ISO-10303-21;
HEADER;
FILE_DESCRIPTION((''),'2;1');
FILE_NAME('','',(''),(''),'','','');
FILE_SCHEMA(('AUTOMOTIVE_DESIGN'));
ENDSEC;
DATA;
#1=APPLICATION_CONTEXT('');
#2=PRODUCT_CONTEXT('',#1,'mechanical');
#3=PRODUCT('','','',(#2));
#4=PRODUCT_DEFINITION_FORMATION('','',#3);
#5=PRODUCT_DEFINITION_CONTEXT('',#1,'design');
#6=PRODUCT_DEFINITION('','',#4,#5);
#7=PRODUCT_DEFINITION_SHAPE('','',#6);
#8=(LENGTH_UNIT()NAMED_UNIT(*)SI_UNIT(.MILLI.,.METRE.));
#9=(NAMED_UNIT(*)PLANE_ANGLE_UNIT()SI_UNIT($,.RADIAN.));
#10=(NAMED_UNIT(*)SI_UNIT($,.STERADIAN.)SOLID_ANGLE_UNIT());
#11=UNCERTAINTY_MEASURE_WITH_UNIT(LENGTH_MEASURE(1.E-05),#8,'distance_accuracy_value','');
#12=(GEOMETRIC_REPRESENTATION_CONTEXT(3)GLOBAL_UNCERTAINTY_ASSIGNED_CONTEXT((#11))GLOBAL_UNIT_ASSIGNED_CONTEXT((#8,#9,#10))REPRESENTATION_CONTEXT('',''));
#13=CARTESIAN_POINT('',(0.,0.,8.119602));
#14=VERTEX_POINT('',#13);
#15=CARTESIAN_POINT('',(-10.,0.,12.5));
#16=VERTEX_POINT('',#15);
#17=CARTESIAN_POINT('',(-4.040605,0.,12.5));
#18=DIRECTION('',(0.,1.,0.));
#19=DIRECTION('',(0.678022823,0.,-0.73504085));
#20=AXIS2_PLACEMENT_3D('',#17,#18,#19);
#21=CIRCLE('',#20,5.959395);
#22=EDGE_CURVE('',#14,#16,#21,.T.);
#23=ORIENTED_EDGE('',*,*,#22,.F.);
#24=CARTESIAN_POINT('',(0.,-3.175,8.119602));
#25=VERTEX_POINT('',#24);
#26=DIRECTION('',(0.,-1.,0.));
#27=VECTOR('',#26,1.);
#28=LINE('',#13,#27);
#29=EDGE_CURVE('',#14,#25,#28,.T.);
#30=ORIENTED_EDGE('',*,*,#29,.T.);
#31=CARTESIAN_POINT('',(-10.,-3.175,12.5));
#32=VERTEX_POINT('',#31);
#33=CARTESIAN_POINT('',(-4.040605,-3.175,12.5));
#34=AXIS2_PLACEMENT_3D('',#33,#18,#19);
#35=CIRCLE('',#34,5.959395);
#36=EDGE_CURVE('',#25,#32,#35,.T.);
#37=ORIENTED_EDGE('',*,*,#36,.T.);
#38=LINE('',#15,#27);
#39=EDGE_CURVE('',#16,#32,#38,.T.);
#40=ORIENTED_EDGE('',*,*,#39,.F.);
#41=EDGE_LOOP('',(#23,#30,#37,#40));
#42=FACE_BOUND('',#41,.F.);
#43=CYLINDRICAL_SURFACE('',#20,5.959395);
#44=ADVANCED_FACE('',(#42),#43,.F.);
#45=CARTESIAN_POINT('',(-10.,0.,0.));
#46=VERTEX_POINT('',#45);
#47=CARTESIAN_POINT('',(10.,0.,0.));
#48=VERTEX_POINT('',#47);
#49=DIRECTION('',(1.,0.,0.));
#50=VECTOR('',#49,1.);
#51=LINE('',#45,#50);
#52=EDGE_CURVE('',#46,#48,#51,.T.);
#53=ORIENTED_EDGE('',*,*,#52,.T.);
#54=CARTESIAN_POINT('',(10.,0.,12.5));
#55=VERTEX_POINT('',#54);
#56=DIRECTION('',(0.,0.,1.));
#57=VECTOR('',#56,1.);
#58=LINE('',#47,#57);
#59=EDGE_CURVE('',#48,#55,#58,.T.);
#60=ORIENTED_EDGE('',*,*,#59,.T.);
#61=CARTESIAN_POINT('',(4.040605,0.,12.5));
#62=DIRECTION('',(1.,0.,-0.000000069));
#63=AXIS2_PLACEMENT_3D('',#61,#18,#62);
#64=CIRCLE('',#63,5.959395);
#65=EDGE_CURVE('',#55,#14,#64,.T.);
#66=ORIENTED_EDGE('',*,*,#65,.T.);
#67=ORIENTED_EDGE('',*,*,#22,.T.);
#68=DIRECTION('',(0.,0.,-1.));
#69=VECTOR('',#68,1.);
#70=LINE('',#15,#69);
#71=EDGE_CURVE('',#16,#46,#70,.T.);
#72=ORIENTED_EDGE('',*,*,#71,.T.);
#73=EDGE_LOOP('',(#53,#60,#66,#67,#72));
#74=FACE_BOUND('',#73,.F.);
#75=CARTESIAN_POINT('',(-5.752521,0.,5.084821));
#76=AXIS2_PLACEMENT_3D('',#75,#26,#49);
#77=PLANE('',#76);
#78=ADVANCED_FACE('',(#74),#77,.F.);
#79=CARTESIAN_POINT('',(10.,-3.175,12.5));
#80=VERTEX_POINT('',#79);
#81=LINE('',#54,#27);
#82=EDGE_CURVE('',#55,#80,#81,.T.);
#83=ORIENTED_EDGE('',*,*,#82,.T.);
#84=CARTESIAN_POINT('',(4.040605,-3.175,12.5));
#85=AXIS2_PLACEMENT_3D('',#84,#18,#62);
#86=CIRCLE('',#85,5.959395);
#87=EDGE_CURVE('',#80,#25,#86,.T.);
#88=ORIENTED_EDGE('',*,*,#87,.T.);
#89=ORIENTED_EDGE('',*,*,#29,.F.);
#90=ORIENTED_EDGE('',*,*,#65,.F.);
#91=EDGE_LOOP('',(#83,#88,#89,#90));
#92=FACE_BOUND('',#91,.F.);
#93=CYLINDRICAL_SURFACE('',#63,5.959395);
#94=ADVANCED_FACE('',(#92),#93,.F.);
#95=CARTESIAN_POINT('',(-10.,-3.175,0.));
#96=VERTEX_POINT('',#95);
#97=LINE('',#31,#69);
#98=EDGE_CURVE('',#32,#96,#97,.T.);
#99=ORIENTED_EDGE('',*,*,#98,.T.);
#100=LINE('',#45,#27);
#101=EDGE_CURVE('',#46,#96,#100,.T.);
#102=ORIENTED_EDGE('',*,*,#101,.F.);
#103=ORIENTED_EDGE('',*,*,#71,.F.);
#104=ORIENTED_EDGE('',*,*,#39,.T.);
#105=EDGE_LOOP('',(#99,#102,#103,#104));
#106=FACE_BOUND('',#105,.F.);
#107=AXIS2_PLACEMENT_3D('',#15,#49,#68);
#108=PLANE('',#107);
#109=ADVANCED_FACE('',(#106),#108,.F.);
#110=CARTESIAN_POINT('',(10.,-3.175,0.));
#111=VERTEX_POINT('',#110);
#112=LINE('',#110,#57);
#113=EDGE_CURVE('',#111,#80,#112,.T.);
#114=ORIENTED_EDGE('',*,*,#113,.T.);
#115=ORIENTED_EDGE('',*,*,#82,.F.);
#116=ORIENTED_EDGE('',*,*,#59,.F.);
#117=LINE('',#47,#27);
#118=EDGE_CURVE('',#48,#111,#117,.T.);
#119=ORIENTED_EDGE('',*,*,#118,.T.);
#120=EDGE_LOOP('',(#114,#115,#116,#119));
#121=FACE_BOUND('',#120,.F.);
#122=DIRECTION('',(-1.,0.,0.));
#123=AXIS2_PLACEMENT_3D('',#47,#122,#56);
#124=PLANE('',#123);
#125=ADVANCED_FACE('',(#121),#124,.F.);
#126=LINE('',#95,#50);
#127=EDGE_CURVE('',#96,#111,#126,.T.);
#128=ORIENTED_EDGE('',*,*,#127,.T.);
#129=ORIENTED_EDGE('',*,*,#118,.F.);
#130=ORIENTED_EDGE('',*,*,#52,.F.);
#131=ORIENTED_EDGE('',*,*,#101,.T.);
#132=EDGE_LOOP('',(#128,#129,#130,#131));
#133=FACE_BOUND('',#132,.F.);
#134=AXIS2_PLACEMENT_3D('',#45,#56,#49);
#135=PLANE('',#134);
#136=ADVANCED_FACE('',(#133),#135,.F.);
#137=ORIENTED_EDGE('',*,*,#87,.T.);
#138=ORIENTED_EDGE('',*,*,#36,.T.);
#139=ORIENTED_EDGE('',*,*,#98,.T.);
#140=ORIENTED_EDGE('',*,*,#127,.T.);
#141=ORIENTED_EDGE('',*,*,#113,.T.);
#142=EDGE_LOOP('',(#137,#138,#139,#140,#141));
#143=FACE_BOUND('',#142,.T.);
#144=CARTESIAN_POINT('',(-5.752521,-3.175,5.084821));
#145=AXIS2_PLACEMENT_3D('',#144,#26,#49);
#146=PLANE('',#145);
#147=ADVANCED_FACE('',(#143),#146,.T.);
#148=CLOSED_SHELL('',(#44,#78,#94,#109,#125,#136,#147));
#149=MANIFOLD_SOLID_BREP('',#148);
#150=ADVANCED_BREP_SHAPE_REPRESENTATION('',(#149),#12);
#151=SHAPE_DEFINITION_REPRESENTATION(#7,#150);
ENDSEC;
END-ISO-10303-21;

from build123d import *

# Parameters (mm, degrees)
F1_DEPTH = 3.175


with BuildPart() as f1:
    # F0 (on Front) → F1 (new body)
    with BuildSketch(Plane.XZ):
        with BuildLine():
            Line((-10, 0), (0, 0))
            Line((0, 0), (0, 8.119602))
            ThreePointArc((0, 8.119602), (-6.431716, 7.04134), (-10, 12.5))
            Line((-10, 12.5), (-10, 0))
        make_face()
        with BuildLine():
            Line((0, 8.119602), (0, 0))
            Line((0, 0), (10, 0))
            Line((10, 0), (10, 12.5))
            ThreePointArc((10, 12.5), (6.431716, 7.04134), (0, 8.119602))
        make_face()
    extrude(amount=F1_DEPTH)


solid = f1.part
